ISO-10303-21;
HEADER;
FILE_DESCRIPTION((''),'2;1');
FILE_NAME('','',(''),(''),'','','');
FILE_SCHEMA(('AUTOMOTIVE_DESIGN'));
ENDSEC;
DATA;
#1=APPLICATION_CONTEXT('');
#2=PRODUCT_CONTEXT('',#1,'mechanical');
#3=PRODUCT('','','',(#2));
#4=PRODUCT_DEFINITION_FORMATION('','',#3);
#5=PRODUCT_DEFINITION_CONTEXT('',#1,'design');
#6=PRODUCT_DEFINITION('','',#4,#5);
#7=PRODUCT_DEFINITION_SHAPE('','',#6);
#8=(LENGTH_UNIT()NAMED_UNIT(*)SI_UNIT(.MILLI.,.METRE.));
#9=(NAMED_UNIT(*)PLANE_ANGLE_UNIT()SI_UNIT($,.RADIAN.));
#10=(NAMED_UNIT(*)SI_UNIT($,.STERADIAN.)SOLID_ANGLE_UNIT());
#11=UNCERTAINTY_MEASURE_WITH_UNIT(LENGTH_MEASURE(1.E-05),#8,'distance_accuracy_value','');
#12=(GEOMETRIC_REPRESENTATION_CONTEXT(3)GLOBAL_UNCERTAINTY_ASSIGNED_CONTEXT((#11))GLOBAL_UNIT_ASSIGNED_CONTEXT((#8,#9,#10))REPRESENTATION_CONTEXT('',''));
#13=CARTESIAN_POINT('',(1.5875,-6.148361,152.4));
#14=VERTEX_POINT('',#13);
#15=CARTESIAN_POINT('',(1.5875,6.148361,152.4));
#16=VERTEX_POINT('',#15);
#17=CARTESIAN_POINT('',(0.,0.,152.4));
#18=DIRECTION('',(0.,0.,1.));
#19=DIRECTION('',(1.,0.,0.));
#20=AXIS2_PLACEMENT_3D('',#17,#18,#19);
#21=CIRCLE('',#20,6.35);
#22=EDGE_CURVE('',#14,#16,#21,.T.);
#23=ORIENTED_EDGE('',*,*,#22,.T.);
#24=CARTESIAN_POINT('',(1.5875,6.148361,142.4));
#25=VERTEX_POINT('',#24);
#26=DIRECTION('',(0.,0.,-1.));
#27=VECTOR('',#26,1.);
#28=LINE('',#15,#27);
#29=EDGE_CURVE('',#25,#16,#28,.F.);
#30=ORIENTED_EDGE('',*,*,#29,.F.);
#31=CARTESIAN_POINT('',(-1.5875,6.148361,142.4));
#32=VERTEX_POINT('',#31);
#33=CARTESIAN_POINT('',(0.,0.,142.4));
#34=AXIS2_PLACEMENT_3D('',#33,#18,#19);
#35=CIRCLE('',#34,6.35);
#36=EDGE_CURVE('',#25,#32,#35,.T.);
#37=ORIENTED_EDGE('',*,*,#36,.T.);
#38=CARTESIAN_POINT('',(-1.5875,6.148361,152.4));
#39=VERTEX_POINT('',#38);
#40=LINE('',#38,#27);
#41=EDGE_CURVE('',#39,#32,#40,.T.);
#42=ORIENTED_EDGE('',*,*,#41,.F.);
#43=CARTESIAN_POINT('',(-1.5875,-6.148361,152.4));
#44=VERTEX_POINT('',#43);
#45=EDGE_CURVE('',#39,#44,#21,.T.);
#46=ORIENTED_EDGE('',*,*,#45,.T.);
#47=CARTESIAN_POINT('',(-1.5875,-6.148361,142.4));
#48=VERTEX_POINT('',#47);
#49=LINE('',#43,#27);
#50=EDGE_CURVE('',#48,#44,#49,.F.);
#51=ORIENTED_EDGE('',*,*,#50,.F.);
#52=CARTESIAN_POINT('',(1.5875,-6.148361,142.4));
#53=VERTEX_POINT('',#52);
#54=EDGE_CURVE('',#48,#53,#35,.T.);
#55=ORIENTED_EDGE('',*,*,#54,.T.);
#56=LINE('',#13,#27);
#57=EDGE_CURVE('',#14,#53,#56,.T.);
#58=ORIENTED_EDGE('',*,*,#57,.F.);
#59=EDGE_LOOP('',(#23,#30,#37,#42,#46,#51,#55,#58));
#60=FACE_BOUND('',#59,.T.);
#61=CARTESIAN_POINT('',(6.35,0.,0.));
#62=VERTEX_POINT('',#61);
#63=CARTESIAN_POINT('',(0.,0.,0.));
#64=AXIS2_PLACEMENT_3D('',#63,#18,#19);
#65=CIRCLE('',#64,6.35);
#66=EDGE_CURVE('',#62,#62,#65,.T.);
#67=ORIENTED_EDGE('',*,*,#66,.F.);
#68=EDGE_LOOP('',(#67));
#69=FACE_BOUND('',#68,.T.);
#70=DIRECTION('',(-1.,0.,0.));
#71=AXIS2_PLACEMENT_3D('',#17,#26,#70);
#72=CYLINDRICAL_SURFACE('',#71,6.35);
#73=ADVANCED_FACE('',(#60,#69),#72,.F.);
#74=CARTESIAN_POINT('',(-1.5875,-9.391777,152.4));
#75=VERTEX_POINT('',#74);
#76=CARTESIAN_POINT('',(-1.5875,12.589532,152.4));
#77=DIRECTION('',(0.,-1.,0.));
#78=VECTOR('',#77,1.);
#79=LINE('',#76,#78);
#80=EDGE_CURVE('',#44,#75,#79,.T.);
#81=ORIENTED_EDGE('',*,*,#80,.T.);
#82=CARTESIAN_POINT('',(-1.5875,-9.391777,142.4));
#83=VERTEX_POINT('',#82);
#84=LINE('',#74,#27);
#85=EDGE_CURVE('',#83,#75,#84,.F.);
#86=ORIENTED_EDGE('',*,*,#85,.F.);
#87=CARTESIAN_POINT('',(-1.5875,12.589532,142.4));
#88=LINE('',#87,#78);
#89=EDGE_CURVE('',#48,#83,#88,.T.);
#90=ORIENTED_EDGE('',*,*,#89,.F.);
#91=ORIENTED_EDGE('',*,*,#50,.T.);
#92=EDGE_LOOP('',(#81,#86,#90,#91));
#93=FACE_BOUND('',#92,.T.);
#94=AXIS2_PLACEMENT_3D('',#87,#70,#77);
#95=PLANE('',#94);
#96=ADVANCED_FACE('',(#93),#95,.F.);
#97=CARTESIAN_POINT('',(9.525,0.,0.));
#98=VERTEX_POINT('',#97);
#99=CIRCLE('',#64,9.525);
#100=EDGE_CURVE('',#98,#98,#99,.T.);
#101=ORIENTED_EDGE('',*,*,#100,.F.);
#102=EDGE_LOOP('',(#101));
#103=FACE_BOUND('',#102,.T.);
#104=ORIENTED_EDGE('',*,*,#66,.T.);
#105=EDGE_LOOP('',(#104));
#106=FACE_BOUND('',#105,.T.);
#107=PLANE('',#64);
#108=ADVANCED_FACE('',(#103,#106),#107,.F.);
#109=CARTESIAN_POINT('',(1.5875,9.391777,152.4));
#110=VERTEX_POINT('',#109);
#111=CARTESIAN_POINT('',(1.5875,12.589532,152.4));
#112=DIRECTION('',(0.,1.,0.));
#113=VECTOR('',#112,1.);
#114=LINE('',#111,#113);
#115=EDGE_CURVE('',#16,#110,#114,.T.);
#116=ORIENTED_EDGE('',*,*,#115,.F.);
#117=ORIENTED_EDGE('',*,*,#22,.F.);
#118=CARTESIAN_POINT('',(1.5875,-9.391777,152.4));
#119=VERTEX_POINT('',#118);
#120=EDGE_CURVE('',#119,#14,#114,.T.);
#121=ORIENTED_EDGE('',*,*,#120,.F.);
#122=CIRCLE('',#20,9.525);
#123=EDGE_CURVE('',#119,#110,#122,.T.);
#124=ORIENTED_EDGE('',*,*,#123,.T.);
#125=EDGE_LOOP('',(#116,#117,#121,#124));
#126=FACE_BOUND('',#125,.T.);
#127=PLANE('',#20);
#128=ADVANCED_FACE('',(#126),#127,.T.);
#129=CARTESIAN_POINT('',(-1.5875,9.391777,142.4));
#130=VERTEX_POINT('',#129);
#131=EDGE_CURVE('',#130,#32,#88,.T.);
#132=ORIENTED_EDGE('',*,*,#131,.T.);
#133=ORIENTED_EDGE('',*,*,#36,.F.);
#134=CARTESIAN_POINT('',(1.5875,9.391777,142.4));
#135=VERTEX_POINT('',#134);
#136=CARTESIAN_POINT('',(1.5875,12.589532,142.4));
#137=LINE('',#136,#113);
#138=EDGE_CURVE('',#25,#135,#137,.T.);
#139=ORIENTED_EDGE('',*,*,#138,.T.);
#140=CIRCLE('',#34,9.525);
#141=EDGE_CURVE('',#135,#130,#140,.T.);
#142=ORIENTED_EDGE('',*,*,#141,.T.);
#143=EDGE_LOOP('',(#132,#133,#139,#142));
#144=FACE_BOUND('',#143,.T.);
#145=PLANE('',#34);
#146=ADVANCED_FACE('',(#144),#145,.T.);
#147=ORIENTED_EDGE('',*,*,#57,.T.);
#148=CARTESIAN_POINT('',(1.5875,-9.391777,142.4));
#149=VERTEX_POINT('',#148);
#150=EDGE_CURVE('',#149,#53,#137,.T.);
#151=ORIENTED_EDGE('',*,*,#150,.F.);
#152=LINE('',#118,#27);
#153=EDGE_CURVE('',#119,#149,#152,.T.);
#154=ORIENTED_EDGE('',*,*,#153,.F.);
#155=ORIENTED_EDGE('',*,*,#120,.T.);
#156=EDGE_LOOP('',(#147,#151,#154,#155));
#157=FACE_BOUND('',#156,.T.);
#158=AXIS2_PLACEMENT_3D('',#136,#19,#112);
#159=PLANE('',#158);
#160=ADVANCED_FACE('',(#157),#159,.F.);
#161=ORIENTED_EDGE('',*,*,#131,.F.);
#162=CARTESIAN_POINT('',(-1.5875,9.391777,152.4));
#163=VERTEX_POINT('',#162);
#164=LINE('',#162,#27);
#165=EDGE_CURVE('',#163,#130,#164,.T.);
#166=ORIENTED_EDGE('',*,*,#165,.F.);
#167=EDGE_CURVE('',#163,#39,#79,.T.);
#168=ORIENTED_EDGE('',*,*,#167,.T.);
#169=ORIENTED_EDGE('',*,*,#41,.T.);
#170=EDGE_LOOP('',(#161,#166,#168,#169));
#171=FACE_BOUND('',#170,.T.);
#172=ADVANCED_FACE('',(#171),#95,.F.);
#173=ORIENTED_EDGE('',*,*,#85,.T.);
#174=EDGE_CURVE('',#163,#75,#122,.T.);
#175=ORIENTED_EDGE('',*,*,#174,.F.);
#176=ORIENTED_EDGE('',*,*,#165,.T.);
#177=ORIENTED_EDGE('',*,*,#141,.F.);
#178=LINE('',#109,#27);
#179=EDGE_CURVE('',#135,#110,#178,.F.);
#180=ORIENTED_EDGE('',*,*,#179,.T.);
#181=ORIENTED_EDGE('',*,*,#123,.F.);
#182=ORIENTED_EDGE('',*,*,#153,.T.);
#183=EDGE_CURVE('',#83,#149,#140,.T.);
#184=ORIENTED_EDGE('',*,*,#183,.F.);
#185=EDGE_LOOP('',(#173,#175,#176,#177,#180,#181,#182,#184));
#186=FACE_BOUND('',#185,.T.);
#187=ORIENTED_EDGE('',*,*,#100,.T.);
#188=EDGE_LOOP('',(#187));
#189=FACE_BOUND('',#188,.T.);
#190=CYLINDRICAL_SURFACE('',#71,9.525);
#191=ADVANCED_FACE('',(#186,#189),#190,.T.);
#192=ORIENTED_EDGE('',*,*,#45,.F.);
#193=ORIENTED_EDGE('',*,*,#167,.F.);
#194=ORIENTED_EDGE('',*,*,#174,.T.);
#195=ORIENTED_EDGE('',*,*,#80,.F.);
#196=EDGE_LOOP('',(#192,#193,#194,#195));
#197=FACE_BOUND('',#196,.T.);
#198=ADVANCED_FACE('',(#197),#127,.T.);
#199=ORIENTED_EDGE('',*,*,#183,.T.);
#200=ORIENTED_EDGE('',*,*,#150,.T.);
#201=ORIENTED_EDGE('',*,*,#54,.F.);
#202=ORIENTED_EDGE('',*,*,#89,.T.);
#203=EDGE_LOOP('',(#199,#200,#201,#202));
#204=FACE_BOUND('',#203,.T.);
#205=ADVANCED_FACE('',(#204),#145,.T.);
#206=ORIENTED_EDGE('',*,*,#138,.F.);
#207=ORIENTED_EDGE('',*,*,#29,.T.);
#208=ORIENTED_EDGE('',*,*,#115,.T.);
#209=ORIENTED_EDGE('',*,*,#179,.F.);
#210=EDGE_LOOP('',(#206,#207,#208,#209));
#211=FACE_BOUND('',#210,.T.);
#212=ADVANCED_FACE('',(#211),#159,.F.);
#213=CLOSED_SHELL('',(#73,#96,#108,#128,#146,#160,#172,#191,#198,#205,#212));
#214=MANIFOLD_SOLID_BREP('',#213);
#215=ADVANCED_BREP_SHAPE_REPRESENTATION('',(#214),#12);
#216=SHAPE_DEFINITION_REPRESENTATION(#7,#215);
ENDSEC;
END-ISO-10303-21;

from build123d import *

# Parameters (mm, degrees)
SKETCH1_R           = 9.525
SKETCH1_R_2         = 6.35
BOSS_EXTRUDE1_DEPTH = 152.4
SKETCH2_W           = 3.175
SKETCH2_H           = 25.179063452
CUT_EXTRUDE1_DEPTH  = 10


with BuildPart() as part:
    # Sketch1 → Boss-Extrude1 (new body)
    with BuildSketch(Plane.XY):
        Circle(SKETCH1_R)
        Circle(SKETCH1_R_2, mode=Mode.SUBTRACT)
    extrude(amount=BOSS_EXTRUDE1_DEPTH)

    # Sketch2 → Cut-Extrude1 (cut)
    with BuildSketch(Plane.XY.offset(152.4)):
        Rectangle(SKETCH2_W, SKETCH2_H)
    extrude(amount=-CUT_EXTRUDE1_DEPTH, mode=Mode.SUBTRACT)


solid = part.part
